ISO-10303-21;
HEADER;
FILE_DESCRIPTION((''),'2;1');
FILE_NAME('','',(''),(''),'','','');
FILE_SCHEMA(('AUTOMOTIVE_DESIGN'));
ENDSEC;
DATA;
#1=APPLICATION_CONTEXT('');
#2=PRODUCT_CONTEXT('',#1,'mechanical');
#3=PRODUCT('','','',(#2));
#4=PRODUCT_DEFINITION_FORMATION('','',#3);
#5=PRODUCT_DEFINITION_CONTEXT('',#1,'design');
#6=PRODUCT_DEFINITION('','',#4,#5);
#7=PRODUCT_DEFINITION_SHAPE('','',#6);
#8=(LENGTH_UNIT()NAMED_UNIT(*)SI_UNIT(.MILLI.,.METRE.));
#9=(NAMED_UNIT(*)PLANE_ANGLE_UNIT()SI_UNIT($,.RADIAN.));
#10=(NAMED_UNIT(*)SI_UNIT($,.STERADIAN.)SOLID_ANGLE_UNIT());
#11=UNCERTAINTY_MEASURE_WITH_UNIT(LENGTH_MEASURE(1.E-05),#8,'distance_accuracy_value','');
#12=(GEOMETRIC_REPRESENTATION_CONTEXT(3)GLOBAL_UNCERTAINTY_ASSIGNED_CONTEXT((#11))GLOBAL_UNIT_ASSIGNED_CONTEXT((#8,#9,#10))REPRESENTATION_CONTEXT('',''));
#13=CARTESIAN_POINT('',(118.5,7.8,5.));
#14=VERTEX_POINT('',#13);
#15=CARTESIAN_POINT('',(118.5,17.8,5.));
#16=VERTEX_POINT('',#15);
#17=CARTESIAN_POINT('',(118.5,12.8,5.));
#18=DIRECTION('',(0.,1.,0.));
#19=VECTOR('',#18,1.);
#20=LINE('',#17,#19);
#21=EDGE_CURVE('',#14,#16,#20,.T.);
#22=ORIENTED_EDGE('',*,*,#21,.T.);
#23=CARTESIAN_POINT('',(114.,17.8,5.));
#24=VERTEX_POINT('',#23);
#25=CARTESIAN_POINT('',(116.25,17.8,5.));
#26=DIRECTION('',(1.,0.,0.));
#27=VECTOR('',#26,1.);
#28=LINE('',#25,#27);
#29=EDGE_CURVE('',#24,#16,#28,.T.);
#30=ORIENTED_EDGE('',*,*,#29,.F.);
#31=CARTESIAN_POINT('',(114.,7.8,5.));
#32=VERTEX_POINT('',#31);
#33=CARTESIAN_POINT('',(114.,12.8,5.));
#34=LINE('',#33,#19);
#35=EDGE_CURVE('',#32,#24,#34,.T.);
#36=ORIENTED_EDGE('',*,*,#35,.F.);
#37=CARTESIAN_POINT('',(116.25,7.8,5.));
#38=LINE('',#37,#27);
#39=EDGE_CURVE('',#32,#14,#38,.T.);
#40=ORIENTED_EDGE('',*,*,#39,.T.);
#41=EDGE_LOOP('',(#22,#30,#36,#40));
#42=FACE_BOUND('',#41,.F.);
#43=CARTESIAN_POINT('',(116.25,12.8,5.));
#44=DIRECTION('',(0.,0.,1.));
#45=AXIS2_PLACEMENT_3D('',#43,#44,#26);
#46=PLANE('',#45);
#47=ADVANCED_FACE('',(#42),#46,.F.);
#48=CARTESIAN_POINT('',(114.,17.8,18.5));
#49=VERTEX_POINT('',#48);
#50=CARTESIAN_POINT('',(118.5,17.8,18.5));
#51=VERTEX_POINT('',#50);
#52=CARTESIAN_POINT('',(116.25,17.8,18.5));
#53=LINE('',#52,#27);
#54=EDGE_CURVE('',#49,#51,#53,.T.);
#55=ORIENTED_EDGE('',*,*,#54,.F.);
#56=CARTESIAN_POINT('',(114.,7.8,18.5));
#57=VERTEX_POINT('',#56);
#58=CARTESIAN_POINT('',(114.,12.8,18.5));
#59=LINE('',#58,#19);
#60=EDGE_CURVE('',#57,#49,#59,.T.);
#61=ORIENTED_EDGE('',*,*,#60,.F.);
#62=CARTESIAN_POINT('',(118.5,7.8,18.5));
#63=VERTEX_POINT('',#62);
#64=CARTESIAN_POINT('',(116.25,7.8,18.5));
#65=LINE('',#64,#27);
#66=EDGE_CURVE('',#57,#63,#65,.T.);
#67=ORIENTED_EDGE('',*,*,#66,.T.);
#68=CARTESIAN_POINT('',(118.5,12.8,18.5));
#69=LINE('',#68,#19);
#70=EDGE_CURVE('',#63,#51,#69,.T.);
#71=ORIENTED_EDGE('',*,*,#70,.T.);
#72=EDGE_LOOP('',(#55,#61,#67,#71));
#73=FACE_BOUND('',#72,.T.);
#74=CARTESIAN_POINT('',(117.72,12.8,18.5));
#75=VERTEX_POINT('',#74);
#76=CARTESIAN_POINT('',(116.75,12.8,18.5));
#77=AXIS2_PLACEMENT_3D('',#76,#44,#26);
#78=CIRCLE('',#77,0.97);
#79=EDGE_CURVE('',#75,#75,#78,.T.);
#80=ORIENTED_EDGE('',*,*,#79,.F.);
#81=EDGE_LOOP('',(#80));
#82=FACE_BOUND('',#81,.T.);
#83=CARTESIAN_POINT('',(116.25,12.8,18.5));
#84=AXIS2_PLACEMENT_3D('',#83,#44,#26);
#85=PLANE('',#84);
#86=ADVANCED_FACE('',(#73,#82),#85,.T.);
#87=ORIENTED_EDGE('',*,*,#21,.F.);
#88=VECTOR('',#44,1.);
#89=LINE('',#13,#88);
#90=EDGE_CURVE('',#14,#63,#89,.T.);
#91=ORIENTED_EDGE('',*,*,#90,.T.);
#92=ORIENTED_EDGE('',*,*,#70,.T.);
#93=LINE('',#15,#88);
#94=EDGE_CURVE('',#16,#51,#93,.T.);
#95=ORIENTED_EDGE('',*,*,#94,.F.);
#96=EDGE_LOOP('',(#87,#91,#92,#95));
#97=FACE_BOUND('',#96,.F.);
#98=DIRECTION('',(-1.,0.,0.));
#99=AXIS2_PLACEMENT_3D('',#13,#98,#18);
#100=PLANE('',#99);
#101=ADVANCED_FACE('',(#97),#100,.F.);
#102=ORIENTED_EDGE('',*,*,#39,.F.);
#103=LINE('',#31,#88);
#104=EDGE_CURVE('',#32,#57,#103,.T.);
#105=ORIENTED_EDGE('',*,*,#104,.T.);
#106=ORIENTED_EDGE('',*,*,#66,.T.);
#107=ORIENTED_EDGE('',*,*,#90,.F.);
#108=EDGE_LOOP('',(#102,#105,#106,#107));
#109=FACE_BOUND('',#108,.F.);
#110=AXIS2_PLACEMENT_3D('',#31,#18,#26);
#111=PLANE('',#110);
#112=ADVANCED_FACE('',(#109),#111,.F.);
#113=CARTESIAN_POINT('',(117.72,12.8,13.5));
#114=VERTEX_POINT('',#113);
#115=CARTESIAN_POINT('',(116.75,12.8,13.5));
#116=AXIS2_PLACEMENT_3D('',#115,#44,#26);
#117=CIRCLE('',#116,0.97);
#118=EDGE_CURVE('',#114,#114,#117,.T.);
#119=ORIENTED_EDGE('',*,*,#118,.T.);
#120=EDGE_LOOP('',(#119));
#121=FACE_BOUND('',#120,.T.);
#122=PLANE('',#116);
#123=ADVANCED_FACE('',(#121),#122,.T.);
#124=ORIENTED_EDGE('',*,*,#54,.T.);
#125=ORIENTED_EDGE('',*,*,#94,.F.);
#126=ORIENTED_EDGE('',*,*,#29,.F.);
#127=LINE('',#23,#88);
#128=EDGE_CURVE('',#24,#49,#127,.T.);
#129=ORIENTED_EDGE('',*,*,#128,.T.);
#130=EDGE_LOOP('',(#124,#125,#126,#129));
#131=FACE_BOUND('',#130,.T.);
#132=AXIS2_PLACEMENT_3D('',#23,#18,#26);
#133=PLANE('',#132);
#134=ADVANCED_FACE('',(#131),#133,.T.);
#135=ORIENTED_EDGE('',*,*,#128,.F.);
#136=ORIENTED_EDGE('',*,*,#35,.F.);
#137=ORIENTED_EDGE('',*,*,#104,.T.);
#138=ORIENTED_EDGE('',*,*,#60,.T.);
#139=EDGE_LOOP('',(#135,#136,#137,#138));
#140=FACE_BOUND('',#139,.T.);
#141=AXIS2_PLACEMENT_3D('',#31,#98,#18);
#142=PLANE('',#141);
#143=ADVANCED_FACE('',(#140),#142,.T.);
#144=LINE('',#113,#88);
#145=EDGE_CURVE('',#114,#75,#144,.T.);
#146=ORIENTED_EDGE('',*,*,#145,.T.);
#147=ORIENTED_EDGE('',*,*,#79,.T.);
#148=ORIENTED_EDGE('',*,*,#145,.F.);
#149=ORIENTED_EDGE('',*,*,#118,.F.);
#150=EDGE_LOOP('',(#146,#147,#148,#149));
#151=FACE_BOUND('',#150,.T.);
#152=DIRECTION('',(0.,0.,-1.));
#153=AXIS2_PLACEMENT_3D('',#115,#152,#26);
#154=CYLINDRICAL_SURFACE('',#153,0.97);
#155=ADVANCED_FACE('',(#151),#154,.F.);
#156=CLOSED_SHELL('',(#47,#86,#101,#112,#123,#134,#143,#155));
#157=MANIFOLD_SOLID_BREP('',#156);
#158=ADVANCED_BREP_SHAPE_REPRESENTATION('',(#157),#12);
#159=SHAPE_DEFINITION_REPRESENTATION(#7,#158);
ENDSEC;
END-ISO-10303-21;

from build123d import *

# Parameters (mm, degrees)
CYLINDER002002001001001001001001007_R     = 0.97
CYLINDER002002001001001001001001007_DEPTH = 5
BOX006001_W                               = 4.5
BOX006001_H                               = 10
BOX006001_DEPTH                           = 13.5


with BuildPart() as cylinder002002001001001001001001007:
    # Cylinder002002001001001001001001007 → Cylinder002002001001001001001001007 (new body)
    with BuildSketch(Plane(origin=(116.75, 12.8, 13.5), x_dir=(1, 0, 0), z_dir=(0, 0, 1))):
        Circle(CYLINDER002002001001001001001001007_R)
    extrude(amount=CYLINDER002002001001001001001001007_DEPTH)


with BuildPart() as cut013003022:
    # Box006001 → Box006001 (new body)
    with BuildSketch(Plane(origin=(114, 7.8, 5), x_dir=(1, 0, 0), z_dir=(0, 0, 1))):
        with Locations((2.25, 5)):
            Rectangle(BOX006001_W, BOX006001_H)
    extrude(amount=BOX006001_DEPTH)

    # Cut013003022: cut Cylinder002002001001001001001001007
    add(cylinder002002001001001001001001007.part, mode=Mode.SUBTRACT)


solid = cut013003022.part
